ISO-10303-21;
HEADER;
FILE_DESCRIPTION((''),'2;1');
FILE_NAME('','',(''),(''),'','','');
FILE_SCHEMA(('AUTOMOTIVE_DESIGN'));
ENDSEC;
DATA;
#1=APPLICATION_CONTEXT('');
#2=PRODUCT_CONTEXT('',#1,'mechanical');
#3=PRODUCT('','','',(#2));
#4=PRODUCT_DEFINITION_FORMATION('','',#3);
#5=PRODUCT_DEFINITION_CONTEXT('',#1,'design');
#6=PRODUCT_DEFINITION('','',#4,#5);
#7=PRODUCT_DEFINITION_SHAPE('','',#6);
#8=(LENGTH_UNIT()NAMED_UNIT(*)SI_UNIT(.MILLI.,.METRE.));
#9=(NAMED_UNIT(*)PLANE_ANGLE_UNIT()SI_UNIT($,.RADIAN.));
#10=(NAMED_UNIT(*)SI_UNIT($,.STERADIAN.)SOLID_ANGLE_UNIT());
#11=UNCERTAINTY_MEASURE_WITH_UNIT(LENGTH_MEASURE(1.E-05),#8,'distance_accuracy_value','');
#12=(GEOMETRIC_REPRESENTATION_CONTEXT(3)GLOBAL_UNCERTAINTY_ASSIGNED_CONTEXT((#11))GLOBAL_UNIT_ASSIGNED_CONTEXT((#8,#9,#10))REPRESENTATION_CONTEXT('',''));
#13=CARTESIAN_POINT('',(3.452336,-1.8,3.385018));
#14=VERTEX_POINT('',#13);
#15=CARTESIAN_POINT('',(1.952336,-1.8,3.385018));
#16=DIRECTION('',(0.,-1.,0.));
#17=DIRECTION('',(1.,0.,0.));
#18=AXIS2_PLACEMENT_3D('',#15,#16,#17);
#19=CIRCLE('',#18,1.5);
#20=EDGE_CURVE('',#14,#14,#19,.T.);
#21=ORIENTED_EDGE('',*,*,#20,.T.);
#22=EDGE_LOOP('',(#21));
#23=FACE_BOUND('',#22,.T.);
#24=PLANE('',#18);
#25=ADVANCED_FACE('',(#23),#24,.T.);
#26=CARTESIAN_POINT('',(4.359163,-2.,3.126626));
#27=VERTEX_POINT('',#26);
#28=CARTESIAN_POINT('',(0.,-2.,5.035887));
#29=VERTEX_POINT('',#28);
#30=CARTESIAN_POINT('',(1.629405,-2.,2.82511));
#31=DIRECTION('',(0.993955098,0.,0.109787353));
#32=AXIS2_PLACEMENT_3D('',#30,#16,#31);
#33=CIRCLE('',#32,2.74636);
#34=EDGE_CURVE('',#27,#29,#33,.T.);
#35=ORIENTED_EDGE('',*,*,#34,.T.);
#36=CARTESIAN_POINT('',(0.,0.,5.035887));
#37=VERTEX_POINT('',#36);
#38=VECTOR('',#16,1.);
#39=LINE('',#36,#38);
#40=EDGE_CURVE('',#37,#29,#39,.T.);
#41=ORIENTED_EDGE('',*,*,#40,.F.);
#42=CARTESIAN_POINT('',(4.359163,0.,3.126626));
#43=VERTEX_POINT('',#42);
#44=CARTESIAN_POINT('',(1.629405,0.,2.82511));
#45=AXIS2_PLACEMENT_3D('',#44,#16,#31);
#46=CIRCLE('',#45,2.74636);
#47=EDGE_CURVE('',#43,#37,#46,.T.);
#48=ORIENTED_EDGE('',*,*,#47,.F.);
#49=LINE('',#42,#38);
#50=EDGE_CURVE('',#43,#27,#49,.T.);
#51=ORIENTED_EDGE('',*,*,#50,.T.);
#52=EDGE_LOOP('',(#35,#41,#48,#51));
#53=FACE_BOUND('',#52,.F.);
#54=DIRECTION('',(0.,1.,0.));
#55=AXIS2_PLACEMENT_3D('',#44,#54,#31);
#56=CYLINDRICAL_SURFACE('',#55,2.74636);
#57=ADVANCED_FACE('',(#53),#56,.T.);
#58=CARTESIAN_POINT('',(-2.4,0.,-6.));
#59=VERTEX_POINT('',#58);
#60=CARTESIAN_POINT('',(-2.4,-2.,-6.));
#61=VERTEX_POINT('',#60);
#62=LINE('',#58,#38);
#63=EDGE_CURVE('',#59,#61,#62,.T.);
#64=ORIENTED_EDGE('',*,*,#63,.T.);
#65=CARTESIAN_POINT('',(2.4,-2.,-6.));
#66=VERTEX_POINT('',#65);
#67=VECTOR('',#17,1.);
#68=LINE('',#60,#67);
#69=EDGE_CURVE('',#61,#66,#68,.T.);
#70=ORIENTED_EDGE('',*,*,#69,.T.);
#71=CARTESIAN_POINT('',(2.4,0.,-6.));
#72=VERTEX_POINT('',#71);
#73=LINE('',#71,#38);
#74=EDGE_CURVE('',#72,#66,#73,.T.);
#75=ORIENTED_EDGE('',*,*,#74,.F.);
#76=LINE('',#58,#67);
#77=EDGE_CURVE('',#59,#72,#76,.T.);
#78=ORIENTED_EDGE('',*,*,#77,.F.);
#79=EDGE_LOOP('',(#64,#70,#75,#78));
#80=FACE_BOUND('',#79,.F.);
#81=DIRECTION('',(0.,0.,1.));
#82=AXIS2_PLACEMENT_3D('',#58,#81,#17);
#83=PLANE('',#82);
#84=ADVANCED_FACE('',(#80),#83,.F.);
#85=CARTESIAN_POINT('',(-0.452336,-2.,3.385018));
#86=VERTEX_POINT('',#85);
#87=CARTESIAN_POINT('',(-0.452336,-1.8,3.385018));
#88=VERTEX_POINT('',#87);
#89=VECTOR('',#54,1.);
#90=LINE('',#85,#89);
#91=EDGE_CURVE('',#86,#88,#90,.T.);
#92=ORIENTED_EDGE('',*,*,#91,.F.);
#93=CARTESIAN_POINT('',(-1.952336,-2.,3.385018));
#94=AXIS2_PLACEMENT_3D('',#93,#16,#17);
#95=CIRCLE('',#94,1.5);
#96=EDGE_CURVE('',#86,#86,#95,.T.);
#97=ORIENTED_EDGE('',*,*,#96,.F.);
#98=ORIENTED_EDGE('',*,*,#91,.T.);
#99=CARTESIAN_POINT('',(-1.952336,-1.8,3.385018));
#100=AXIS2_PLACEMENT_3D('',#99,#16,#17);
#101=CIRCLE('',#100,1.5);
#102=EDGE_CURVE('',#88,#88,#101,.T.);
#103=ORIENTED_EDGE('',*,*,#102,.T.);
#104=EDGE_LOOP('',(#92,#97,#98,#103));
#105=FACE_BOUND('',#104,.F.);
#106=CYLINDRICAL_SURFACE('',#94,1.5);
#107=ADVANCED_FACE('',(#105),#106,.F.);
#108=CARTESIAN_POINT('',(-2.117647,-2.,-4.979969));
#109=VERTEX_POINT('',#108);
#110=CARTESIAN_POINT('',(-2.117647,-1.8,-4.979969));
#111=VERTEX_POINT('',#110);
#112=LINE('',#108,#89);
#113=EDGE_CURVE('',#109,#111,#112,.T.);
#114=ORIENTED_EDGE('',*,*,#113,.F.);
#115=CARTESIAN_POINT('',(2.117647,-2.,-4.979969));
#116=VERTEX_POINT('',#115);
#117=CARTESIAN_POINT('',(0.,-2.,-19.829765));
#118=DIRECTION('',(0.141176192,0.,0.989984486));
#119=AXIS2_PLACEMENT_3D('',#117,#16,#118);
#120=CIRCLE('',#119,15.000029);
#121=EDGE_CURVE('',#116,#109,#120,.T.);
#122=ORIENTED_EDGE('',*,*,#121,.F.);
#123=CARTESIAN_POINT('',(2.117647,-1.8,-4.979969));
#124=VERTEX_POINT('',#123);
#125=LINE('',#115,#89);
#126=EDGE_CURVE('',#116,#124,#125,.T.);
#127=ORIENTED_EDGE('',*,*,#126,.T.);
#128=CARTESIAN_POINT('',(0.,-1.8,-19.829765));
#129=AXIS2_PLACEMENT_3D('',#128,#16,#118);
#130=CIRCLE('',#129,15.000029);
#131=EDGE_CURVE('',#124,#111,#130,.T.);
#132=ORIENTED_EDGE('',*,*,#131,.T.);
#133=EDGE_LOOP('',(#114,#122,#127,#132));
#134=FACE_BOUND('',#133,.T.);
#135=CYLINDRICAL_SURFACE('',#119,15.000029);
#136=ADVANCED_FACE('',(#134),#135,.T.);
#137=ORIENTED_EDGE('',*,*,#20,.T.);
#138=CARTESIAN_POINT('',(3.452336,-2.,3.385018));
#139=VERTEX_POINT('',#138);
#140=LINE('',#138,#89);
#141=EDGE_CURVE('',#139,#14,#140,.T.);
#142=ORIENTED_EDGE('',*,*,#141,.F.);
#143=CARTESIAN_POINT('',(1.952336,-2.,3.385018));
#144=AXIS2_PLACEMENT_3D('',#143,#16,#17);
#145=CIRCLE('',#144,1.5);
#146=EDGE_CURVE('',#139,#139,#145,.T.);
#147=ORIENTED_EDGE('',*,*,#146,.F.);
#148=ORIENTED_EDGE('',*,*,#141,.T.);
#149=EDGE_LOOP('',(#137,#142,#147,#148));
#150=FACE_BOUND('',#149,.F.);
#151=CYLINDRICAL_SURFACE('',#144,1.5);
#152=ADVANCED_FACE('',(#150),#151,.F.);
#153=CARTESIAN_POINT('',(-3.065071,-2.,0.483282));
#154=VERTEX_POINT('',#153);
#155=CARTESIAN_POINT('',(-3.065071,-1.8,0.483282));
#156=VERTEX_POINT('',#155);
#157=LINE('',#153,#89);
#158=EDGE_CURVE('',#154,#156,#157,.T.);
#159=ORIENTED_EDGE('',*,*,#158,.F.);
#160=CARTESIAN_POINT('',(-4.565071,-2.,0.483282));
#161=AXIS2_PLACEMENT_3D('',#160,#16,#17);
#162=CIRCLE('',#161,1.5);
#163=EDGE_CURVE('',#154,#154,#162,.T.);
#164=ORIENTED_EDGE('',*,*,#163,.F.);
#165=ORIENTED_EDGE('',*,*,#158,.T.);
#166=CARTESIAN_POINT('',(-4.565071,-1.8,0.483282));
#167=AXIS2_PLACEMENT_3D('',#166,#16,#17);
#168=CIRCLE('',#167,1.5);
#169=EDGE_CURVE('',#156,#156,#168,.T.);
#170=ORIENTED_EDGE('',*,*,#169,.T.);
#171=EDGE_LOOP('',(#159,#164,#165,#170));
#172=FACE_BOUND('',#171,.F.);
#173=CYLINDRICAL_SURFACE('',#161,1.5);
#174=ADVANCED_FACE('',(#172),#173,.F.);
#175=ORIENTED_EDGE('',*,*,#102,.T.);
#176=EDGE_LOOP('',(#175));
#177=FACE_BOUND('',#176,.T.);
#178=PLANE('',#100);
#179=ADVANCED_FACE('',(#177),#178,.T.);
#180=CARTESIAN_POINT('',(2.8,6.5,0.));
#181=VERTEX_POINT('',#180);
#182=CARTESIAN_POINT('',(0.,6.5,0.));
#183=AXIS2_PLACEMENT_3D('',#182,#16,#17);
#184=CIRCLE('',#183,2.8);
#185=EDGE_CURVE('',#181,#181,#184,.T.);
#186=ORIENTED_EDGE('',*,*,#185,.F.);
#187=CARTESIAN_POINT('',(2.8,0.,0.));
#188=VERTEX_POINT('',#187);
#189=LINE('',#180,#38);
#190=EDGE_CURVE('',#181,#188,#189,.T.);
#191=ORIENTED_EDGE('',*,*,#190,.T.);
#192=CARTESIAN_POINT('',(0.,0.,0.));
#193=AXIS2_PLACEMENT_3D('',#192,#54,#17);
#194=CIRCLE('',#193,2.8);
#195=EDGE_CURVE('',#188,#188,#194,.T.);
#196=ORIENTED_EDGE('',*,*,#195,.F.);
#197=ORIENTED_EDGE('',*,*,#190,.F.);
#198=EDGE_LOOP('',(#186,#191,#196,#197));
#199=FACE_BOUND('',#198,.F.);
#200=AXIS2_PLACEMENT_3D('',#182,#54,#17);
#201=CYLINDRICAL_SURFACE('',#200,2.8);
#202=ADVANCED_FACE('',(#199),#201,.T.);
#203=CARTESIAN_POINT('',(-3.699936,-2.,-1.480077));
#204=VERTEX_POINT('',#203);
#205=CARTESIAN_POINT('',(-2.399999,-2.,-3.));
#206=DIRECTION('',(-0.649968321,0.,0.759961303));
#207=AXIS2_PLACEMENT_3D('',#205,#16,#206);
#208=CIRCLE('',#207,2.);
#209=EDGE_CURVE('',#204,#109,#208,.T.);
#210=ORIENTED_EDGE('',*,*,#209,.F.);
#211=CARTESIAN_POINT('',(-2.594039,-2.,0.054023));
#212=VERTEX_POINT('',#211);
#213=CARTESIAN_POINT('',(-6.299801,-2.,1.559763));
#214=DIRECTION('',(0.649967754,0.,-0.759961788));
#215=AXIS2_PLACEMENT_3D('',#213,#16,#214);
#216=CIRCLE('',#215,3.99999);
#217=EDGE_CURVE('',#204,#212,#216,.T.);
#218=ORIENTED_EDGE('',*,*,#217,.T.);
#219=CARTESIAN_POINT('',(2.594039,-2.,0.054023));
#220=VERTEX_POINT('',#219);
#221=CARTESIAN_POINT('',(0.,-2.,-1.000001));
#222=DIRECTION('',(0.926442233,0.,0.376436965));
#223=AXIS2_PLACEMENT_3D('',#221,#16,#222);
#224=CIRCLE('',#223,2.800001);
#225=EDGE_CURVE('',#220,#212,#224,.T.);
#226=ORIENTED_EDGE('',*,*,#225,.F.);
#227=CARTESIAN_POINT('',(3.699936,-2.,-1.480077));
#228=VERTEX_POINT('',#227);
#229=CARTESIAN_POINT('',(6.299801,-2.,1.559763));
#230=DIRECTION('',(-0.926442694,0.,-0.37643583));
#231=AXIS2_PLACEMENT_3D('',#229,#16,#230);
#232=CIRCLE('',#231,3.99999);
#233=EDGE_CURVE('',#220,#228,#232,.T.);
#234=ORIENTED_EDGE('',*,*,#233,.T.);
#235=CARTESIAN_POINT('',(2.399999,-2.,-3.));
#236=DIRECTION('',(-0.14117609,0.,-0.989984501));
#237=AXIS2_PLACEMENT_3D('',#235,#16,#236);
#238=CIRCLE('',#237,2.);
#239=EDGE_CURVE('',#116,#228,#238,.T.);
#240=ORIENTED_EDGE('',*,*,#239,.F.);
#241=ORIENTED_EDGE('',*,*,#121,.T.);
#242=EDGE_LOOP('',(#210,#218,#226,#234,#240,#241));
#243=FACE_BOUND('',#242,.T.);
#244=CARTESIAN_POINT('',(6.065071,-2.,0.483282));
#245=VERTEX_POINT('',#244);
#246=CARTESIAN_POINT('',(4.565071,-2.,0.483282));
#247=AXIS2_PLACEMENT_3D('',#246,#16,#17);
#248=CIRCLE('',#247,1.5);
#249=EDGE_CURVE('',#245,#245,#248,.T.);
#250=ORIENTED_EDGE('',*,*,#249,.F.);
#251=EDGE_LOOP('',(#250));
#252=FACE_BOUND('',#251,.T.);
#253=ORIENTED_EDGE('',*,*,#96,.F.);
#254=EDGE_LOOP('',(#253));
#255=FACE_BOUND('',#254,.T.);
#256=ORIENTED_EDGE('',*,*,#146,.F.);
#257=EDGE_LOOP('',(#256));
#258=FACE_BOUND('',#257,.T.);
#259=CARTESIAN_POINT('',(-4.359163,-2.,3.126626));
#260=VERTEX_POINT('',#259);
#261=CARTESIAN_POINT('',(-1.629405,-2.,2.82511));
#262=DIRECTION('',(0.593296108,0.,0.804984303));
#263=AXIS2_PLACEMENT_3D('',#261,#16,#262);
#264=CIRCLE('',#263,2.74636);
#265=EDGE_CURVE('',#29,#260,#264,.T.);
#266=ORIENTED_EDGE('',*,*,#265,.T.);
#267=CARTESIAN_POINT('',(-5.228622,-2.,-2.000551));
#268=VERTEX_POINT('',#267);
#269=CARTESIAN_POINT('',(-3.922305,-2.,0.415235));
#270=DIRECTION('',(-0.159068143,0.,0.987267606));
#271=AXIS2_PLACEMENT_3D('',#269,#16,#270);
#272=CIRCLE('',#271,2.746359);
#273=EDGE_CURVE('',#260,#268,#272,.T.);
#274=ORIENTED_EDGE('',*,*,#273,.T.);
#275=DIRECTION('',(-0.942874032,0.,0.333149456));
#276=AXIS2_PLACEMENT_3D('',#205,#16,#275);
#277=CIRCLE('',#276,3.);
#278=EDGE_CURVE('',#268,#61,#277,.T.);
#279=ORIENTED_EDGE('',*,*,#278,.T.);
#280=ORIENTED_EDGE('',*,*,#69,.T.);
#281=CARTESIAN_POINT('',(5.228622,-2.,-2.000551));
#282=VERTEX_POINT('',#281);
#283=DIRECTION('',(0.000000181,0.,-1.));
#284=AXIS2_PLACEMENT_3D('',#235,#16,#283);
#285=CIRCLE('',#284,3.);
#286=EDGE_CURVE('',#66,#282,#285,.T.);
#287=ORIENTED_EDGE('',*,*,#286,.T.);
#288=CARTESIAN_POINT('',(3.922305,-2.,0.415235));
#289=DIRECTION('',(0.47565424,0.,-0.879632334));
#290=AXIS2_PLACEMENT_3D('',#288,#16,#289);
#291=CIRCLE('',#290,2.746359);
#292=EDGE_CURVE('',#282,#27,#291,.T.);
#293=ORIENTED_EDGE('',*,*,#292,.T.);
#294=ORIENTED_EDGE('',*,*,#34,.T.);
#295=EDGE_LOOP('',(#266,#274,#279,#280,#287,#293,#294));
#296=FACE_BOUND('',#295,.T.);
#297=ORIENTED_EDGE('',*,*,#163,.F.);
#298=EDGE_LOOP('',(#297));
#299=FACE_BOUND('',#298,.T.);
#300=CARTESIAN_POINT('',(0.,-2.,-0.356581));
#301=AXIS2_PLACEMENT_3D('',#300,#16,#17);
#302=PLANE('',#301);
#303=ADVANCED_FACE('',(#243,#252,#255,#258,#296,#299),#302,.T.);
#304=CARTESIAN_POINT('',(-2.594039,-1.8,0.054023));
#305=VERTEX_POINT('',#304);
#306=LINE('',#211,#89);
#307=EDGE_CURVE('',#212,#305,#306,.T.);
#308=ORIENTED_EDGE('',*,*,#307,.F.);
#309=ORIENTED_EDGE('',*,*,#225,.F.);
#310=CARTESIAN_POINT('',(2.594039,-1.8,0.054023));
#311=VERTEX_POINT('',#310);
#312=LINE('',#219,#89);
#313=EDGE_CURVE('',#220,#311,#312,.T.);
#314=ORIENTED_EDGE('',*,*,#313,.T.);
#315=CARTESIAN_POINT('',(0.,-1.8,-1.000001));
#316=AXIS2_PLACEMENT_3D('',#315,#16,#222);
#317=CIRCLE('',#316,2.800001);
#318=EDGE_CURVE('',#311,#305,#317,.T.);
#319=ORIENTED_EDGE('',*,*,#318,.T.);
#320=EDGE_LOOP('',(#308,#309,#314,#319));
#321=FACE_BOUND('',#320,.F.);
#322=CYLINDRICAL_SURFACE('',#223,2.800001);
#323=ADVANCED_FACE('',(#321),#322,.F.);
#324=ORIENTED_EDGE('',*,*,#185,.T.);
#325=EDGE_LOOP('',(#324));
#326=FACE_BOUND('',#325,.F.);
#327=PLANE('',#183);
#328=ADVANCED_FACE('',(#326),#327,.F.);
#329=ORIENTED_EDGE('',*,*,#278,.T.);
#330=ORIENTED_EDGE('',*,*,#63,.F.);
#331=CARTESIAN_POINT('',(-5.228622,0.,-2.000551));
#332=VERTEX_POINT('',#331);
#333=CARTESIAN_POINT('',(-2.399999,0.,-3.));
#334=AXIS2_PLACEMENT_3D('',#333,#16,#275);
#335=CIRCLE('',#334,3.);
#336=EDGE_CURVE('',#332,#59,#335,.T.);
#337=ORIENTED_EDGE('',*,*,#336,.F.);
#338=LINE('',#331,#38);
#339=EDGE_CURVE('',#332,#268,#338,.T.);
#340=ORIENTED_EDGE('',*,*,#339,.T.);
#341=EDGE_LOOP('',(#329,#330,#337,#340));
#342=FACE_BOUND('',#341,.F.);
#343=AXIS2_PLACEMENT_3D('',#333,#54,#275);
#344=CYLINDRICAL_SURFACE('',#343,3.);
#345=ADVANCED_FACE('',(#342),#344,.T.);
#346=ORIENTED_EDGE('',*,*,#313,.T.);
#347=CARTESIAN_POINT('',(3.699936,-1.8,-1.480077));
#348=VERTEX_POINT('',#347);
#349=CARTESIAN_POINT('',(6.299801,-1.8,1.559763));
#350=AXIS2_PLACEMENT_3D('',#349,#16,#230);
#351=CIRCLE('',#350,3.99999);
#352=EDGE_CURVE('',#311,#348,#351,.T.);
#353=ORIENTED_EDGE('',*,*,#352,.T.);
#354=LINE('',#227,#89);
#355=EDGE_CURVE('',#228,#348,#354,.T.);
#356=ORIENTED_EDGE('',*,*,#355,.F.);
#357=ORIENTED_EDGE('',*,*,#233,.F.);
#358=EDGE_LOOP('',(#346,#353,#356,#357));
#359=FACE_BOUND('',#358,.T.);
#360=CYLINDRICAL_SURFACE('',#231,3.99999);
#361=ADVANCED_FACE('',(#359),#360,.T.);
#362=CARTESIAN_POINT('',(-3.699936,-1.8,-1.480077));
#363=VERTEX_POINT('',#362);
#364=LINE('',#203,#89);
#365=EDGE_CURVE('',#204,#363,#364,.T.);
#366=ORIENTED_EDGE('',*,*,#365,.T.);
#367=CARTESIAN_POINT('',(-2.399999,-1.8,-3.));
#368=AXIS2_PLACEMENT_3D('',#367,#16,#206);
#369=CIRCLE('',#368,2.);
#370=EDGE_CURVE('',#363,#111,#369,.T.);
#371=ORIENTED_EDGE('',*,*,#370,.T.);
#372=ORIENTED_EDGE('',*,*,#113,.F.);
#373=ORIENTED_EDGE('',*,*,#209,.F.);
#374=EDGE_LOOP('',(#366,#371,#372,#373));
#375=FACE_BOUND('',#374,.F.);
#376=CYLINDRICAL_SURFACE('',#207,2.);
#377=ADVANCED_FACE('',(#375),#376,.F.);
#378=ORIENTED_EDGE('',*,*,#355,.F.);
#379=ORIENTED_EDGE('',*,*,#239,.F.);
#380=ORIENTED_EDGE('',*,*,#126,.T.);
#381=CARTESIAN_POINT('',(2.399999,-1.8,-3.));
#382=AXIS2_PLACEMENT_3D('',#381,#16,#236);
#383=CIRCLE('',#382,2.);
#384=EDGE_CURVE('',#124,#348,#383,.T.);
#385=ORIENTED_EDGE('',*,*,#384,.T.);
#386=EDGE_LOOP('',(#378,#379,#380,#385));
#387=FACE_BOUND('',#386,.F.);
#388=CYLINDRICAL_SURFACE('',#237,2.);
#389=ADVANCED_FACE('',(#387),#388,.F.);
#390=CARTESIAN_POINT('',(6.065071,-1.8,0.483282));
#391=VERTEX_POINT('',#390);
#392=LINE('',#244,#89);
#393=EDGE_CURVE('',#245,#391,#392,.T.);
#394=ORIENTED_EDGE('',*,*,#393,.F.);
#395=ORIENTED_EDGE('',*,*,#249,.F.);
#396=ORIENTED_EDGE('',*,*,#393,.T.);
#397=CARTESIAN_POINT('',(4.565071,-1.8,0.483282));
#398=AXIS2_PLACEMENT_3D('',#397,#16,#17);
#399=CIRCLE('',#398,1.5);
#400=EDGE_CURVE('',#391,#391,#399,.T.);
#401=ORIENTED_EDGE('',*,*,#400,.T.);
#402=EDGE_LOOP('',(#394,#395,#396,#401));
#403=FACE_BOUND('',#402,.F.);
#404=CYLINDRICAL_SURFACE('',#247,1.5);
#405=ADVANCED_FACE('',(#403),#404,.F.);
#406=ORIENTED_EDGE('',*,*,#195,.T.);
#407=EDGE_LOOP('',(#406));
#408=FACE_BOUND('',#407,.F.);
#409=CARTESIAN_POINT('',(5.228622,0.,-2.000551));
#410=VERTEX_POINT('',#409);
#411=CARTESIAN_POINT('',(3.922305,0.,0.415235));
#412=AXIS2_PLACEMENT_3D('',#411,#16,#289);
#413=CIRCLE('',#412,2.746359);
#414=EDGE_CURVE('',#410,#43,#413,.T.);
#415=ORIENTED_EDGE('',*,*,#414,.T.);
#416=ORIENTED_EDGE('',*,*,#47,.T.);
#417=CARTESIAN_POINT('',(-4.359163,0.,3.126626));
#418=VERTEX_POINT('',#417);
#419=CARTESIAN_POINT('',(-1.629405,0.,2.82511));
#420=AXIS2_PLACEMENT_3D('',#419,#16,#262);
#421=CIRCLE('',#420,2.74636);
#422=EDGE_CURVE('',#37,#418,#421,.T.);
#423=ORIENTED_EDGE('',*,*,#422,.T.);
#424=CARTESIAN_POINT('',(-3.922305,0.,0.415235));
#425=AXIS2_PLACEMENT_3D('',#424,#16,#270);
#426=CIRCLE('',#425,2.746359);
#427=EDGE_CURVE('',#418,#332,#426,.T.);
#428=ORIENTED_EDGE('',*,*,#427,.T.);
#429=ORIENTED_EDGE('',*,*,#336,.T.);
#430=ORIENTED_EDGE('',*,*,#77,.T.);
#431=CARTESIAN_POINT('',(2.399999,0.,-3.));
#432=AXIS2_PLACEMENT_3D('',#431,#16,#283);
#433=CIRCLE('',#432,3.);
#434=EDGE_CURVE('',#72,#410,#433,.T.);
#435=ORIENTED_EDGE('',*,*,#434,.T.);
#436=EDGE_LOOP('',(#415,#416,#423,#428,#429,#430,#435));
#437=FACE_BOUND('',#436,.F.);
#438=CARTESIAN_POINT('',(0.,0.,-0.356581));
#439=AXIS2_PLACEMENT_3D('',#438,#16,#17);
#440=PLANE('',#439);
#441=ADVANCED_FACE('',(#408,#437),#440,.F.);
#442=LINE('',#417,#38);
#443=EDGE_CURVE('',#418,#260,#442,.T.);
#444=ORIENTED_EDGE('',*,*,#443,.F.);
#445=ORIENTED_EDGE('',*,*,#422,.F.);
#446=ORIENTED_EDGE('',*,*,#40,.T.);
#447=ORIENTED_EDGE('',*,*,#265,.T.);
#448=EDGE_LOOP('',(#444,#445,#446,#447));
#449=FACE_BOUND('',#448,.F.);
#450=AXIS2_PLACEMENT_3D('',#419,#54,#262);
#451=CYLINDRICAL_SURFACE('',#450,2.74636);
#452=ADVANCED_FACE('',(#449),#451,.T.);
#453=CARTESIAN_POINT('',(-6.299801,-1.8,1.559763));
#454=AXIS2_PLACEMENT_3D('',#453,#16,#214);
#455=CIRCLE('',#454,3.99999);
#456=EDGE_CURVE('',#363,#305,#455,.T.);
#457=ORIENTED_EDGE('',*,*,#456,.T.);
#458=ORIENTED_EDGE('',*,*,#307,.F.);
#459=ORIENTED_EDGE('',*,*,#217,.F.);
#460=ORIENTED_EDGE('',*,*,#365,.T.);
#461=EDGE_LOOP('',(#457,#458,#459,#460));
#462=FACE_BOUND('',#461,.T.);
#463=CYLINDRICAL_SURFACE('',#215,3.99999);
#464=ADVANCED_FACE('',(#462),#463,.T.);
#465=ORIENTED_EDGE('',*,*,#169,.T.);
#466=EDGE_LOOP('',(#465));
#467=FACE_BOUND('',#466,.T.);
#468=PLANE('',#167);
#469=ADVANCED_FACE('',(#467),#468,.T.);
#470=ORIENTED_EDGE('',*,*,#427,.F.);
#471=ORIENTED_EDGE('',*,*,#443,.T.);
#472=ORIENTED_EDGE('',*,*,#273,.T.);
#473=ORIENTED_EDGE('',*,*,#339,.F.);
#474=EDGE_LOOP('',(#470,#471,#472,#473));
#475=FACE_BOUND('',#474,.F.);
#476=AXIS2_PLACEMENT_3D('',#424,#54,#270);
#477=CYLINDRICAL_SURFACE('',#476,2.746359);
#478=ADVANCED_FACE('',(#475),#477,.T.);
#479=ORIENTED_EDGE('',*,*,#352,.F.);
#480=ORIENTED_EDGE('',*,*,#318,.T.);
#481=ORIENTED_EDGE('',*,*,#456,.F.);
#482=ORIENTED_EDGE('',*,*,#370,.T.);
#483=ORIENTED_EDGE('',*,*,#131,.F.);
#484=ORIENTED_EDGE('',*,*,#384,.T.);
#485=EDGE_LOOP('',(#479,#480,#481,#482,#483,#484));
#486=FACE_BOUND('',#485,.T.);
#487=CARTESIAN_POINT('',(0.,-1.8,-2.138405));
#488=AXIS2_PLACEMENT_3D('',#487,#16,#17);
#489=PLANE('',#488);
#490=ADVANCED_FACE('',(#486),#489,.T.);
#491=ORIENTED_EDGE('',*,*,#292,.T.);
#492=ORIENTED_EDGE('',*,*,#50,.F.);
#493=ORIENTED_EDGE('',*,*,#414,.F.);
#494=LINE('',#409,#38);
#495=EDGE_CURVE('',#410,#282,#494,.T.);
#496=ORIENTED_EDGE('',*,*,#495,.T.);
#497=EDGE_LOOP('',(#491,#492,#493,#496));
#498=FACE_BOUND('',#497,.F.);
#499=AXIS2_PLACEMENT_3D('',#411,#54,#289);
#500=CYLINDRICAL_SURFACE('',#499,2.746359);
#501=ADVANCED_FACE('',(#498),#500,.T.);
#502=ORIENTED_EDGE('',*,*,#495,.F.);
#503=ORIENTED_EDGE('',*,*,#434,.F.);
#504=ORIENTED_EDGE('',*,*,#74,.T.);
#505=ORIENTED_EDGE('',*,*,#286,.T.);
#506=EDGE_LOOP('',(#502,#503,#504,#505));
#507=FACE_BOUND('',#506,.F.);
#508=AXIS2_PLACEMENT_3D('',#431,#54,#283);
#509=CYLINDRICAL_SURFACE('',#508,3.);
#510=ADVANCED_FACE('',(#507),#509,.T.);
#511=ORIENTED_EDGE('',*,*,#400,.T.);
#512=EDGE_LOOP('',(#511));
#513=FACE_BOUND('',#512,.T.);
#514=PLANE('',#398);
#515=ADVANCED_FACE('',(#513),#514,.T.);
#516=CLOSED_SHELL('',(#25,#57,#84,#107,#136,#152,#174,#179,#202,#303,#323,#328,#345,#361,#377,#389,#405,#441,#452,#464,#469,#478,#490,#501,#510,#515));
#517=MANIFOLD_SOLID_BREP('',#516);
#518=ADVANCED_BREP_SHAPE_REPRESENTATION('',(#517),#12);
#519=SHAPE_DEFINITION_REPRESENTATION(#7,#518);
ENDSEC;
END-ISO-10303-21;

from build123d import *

# Parameters (mm, degrees)
CYLINDER004_R     = 2.8
CYLINDER004_DEPTH = 7.5
PAD010_DEPTH      = 2
SKETCH037_R       = 1.5
POCKET008_DEPTH   = 0.2


with BuildPart() as part:
    # Cylinder004 → Cylinder004 (join)
    with BuildSketch(Plane.XZ.offset(-6.5)):
        Circle(CYLINDER004_R)
    extrude(amount=CYLINDER004_DEPTH)

    # Sketch036 → Pad010 (join)
    with BuildSketch(Plane.XZ):
        with BuildLine():
            ThreePointArc((-4.359163, 3.126626), (-6.630007, 0.874403), (-5.228622, -2.000551))
            ThreePointArc((-5.228622, -2.000551), (-4.849321, -4.732289), (-2.4, -6))
            Line((-2.4, -6), (2.4, -6))
            ThreePointArc((2.4, -6), (4.849321, -4.732289), (5.228622, -2.000551))
            ThreePointArc((5.228622, -2.000551), (6.630007, 0.874403), (4.359163, 3.126626))
            ThreePointArc((4.359163, 3.126626), (2.731228, 5.340757), (0, 5.035887))
            ThreePointArc((0, 5.035887), (-2.731228, 5.340757), (-4.359163, 3.126626))
        make_face()
    extrude(amount=PAD010_DEPTH)

    # Sketch037 → Pocket008 (cut)
    with BuildSketch(Plane(origin=(0, -2, -1), x_dir=(1, 0, 0), z_dir=(0, -1, 0))):
        with Locations((-4.565071, 1.483282)):
            Circle(SKETCH037_R)
        with Locations((4.565071, 1.483282)):
            Circle(SKETCH037_R)
        with Locations((-1.952336, 4.385018)):
            Circle(SKETCH037_R)
        with Locations((1.952336, 4.385018)):
            Circle(SKETCH037_R)
        with BuildLine():
            ThreePointArc((2.594039, 1.054023), (0, 2.8), (-2.594039, 1.054023))
            ThreePointArc((-3.699936, -0.480077), (-3.055021, 0.220676), (-2.594039, 1.054023))
            ThreePointArc((-3.699936, -0.480077), (-4.22241, -2.823905), (-2.117647, -3.979969))
            ThreePointArc((2.117647, -3.979969), (0, -3.829736), (-2.117647, -3.979969))
            ThreePointArc((2.117647, -3.979969), (4.22241, -2.823905), (3.699936, -0.480077))
            ThreePointArc((2.594039, 1.054023), (3.055021, 0.220676), (3.699936, -0.480077))
        make_face()
    extrude(amount=-POCKET008_DEPTH, mode=Mode.SUBTRACT)


solid = part.part
